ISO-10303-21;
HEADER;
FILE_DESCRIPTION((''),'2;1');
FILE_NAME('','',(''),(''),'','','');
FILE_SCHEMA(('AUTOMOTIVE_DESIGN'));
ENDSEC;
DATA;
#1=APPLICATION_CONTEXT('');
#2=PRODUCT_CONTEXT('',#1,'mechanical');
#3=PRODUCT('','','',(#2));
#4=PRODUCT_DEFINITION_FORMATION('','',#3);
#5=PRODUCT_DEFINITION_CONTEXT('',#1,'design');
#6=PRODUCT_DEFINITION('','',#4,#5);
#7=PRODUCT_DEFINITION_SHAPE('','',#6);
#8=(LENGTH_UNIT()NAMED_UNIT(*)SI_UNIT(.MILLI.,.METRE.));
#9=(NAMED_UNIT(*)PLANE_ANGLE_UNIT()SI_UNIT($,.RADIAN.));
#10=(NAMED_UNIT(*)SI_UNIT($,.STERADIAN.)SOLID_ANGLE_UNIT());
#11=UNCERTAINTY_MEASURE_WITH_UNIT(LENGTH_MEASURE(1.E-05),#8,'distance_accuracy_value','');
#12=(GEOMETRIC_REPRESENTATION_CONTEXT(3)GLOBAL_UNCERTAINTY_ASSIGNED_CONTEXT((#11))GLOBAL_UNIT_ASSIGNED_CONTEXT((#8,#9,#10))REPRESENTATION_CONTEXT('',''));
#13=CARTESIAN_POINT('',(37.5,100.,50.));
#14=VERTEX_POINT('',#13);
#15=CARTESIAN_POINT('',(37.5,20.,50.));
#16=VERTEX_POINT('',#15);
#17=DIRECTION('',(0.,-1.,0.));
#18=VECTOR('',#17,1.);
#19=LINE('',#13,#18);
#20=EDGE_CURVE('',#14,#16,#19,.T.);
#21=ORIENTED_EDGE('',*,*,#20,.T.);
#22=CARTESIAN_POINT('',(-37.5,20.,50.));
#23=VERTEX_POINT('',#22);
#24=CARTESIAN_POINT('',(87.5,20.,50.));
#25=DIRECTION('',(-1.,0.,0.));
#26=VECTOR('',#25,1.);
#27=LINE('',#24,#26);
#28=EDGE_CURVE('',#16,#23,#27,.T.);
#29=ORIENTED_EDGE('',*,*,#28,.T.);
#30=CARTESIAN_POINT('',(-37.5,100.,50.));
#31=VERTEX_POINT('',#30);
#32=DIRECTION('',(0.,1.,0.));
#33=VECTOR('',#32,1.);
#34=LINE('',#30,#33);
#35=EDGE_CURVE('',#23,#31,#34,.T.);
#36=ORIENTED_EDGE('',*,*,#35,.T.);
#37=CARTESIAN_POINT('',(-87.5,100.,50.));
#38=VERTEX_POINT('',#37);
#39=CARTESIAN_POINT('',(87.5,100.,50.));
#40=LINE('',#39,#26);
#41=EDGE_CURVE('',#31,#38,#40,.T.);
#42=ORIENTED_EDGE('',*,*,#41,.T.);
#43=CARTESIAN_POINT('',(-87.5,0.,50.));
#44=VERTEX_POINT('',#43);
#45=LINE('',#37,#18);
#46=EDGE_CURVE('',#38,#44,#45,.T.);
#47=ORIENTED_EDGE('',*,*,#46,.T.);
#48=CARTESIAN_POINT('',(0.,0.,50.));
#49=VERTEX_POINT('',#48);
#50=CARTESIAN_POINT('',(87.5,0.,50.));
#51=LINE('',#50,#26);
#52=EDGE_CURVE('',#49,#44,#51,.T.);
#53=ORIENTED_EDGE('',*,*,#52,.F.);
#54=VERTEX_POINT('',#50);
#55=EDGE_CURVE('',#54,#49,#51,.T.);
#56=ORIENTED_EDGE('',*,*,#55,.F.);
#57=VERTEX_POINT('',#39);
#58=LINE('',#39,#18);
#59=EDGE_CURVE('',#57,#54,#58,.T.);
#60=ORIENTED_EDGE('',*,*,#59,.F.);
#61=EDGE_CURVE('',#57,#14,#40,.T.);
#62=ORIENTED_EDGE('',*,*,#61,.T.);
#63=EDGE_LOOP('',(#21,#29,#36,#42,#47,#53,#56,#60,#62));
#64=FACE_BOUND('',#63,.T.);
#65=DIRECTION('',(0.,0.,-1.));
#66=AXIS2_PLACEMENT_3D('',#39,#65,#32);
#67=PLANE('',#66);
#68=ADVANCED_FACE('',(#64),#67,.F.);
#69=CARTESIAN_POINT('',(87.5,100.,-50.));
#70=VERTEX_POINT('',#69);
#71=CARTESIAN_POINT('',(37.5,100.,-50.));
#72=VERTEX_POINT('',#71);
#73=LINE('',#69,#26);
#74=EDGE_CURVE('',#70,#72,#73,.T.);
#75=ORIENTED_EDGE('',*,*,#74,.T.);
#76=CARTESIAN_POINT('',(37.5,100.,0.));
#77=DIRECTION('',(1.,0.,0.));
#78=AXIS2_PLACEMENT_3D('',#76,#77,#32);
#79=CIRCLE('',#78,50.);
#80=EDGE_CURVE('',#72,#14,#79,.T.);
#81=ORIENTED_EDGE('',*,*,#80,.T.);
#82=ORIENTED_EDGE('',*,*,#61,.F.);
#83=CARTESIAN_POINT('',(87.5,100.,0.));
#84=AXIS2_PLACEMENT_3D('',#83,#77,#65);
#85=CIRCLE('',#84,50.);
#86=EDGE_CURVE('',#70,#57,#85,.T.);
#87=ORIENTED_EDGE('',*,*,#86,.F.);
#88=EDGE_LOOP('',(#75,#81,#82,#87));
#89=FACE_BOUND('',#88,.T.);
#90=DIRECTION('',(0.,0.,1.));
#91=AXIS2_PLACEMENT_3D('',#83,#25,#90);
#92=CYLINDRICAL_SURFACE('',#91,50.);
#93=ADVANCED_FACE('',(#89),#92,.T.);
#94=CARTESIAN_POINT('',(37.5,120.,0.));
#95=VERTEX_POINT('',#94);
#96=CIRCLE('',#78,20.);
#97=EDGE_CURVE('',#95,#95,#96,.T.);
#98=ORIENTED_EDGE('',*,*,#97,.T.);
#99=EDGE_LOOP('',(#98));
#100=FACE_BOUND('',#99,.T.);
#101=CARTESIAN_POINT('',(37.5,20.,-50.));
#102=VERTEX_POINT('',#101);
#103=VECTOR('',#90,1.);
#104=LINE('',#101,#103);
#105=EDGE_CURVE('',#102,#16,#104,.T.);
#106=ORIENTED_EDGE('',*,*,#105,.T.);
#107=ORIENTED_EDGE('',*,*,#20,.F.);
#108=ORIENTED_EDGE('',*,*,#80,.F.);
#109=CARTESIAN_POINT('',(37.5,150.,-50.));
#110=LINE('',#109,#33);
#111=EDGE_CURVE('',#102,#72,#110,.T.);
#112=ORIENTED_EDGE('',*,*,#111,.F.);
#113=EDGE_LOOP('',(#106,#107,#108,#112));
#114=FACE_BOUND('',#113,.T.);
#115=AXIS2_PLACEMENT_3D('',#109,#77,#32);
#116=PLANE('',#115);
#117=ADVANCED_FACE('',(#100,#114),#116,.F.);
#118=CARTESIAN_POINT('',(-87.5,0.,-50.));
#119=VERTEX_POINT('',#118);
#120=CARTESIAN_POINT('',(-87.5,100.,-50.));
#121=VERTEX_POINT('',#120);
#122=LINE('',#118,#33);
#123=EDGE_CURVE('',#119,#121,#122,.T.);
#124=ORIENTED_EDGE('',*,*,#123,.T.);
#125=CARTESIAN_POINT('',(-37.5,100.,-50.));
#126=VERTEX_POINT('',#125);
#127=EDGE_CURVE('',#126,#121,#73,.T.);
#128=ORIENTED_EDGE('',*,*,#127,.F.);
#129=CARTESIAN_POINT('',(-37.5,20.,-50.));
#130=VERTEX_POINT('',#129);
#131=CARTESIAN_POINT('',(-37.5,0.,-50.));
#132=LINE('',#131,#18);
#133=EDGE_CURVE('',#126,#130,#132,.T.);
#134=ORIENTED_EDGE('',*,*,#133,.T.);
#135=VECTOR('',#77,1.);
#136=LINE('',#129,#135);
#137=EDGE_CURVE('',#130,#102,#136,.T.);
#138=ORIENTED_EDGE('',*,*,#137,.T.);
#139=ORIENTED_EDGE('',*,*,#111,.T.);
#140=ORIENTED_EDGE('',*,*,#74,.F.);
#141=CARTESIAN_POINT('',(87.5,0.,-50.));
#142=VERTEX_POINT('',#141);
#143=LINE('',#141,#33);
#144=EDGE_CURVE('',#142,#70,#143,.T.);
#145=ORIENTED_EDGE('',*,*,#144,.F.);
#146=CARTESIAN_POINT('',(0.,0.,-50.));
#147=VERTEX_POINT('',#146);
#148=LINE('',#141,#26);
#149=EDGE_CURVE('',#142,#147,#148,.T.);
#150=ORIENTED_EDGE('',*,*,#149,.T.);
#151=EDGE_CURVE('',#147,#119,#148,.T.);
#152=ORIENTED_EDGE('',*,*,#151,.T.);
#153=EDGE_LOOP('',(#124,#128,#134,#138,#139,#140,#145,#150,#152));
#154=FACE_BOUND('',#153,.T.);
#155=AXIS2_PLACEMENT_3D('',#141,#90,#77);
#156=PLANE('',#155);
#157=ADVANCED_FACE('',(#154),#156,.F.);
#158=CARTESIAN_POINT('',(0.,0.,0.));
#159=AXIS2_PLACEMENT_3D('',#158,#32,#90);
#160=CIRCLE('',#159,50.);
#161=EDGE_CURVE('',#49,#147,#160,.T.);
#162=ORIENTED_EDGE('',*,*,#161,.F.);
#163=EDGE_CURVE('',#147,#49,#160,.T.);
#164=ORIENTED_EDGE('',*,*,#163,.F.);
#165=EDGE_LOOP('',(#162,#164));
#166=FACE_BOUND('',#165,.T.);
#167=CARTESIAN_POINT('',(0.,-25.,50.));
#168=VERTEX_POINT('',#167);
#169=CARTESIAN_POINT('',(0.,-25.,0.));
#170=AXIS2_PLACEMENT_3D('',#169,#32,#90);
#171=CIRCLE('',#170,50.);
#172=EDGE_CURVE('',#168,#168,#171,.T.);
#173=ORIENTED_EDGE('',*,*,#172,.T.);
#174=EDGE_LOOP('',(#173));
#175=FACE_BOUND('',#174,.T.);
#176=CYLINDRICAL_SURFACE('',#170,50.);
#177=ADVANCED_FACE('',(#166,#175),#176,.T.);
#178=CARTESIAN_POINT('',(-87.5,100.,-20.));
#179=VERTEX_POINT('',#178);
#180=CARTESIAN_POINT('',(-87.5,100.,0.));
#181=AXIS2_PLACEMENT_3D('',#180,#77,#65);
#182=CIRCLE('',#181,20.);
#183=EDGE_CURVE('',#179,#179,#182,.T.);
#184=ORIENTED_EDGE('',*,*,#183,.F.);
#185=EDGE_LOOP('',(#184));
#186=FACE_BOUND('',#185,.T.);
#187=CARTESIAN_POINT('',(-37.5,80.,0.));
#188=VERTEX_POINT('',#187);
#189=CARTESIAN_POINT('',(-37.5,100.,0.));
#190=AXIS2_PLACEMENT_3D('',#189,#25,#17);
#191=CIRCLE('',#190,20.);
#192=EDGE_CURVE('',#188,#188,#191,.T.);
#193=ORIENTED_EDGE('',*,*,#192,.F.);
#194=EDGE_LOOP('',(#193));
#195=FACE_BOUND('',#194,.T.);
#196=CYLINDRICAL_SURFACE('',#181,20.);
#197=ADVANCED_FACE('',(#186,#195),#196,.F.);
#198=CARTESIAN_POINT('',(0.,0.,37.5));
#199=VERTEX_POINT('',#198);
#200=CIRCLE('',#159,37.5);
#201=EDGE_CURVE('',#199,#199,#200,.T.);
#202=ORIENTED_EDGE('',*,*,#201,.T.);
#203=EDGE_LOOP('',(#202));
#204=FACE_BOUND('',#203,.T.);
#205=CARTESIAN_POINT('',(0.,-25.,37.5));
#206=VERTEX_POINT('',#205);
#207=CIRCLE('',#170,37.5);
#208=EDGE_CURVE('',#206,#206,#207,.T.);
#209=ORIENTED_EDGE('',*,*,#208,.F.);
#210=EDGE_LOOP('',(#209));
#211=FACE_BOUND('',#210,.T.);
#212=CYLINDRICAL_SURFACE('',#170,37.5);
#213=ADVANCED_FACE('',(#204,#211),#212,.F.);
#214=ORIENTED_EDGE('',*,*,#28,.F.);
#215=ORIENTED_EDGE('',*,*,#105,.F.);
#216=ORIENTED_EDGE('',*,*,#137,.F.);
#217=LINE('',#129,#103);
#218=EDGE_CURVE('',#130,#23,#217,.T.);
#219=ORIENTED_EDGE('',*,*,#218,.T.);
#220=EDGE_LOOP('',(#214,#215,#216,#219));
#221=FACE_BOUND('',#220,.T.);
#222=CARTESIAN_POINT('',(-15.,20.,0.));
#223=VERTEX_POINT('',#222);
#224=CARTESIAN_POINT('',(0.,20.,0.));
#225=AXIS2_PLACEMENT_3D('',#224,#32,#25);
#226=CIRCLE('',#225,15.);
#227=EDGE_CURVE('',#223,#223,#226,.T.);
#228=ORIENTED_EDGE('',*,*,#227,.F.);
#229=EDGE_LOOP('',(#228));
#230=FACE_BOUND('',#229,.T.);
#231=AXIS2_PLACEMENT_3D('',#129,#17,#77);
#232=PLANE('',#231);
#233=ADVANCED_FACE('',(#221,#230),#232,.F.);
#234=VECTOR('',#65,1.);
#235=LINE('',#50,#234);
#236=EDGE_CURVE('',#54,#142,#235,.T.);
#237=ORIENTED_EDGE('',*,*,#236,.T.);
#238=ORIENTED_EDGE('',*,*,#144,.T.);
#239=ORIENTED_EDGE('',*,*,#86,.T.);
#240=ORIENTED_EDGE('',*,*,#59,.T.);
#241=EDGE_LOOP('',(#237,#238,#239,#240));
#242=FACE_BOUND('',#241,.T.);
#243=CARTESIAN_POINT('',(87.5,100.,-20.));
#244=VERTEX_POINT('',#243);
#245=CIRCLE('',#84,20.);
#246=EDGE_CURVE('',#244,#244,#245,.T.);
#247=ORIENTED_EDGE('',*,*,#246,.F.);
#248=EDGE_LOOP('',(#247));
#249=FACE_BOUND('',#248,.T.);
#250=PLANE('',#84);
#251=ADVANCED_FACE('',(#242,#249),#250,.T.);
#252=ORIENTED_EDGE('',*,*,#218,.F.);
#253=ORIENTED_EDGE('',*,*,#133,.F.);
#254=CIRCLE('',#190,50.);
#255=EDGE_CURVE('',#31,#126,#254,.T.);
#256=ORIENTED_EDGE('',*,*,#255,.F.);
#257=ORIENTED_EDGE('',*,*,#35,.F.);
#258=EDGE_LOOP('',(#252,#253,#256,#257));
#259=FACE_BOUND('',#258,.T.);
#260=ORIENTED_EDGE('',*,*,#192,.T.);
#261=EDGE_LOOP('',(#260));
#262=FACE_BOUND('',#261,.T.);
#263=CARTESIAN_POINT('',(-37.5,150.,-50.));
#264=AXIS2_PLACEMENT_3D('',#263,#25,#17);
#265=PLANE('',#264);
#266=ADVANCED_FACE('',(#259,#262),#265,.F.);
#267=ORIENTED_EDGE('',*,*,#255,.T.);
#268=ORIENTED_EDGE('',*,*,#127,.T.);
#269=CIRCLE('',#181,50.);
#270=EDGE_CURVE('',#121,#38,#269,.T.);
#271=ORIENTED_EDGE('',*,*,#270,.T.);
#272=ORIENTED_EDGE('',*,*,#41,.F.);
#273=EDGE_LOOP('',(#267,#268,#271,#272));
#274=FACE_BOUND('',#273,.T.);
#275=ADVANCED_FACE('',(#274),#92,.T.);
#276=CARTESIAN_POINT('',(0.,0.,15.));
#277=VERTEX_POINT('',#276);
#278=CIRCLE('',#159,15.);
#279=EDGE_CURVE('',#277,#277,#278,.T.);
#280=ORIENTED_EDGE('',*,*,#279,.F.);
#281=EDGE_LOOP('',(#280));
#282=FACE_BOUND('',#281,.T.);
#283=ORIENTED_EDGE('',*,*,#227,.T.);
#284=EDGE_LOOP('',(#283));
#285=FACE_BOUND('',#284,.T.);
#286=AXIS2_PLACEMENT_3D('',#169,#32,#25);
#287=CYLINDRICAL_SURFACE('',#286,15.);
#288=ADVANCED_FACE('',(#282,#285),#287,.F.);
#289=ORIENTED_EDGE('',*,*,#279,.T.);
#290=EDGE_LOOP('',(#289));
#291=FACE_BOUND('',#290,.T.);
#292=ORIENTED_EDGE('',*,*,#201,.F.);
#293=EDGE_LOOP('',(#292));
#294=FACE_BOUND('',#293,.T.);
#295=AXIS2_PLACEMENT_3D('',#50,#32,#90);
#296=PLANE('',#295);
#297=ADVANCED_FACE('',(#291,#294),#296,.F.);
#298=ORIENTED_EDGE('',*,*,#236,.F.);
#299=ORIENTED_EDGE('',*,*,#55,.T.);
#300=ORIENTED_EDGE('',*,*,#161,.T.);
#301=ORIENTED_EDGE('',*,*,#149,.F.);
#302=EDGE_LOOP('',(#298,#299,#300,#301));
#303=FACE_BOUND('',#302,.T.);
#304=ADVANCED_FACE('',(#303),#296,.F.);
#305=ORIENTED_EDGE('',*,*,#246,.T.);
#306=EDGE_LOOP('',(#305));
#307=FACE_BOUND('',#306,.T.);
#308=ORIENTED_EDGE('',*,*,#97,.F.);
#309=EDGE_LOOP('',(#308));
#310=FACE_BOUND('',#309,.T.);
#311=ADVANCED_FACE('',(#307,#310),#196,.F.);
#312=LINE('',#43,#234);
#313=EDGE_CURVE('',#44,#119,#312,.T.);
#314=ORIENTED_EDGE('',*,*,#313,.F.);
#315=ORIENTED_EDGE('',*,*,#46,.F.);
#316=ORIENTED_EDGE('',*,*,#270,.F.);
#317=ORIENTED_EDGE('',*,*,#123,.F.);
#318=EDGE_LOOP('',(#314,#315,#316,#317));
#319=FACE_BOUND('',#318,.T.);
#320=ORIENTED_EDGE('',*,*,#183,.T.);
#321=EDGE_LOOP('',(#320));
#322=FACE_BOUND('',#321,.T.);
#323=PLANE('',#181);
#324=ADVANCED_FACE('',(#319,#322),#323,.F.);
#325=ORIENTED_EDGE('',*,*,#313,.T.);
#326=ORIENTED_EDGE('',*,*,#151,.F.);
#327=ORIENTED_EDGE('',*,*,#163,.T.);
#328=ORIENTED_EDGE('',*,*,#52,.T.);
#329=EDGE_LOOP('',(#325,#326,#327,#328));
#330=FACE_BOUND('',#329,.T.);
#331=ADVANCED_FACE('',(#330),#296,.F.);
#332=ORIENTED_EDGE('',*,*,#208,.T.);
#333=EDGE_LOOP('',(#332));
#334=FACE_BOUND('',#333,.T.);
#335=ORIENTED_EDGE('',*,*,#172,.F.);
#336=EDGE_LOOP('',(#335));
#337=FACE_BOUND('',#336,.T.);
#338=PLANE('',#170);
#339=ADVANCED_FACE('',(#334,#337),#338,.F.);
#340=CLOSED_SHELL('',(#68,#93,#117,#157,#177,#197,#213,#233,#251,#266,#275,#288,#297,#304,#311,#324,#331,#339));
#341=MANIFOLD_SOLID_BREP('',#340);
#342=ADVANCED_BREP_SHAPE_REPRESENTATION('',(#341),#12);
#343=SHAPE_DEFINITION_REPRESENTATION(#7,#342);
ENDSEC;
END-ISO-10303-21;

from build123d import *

# Parameters (mm, degrees)
SKETCH1_R               = 50
SKETCH1_R_2             = 37.5
BOSS_EXTRUDE1_DEPTH     = 25
BOSS_EXTRUDE2_DEPTH     = 87.5
CUT_EXTRUDE1_DEPTH      = 201.390244274
CUT_EXTRUDE1_DEPTH_BACK = 201.390244274
SKETCH3_W               = 75
SKETCH3_H               = 130
SKETCH4_R               = 15
CUT_EXTRUDE2_DEPTH      = 165.487841496
SKETCH5_R               = 20
CUT_EXTRUDE3_DEPTH      = 236.849528301


with BuildPart() as part:
    # Sketch1 → Boss-Extrude1 (new body)
    with BuildSketch(Plane(origin=(0, 0, 0), x_dir=(1, 0, 0), z_dir=(0, 1, 0))):
        with Locations(Location((0, 0, 0), (0, 0, 270))):
            Circle(SKETCH1_R)
        with Locations(Location((0, 0, 0), (0, 0, 270))):
            Circle(SKETCH1_R_2, mode=Mode.SUBTRACT)
    extrude(amount=-BOSS_EXTRUDE1_DEPTH)

    # Sketch2 → Boss-Extrude2 (add, symmetric)
    with BuildSketch(Plane(origin=(0, 0, 0), x_dir=(0, 0, -1), z_dir=(1, 0, 0))):
        with BuildLine():
            Line((-50, 0), (50, 0))
            Line((50, 0), (50, 100))
            ThreePointArc((50, 100), (0, 150), (-50, 100))
            Line((-50, 100), (-50, 0))
        make_face()
    extrude(amount=BOSS_EXTRUDE2_DEPTH, both=True)

    # Sketch3 → Cut-Extrude1 (cut, two sides: drawn at the far end of the back side and taken through both)
    with BuildSketch(Plane.XY.offset(50).offset(-CUT_EXTRUDE1_DEPTH_BACK)):
        with Locations((0, 85)):
            Rectangle(SKETCH3_W, SKETCH3_H)
    extrude(amount=CUT_EXTRUDE1_DEPTH + CUT_EXTRUDE1_DEPTH_BACK, mode=Mode.SUBTRACT)

    # Sketch4 → Cut-Extrude2 (cut, through all)
    with BuildSketch(Plane(origin=(0, 20, 0), x_dir=(1, 0, 0), z_dir=(0, 1, 0))):
        with Locations(Location((0, 0, 0), (0, 0, 180))):
            Circle(SKETCH4_R)
    extrude(amount=-CUT_EXTRUDE2_DEPTH, mode=Mode.SUBTRACT)

    # Sketch5 → Cut-Extrude3 (cut, through all)
    with BuildSketch(Plane(origin=(87.5, 0, 0), x_dir=(0, 0, -1), z_dir=(1, 0, 0))):
        with Locations((0, 100)):
            Circle(SKETCH5_R)
    extrude(amount=-CUT_EXTRUDE3_DEPTH, mode=Mode.SUBTRACT)


solid = part.part
